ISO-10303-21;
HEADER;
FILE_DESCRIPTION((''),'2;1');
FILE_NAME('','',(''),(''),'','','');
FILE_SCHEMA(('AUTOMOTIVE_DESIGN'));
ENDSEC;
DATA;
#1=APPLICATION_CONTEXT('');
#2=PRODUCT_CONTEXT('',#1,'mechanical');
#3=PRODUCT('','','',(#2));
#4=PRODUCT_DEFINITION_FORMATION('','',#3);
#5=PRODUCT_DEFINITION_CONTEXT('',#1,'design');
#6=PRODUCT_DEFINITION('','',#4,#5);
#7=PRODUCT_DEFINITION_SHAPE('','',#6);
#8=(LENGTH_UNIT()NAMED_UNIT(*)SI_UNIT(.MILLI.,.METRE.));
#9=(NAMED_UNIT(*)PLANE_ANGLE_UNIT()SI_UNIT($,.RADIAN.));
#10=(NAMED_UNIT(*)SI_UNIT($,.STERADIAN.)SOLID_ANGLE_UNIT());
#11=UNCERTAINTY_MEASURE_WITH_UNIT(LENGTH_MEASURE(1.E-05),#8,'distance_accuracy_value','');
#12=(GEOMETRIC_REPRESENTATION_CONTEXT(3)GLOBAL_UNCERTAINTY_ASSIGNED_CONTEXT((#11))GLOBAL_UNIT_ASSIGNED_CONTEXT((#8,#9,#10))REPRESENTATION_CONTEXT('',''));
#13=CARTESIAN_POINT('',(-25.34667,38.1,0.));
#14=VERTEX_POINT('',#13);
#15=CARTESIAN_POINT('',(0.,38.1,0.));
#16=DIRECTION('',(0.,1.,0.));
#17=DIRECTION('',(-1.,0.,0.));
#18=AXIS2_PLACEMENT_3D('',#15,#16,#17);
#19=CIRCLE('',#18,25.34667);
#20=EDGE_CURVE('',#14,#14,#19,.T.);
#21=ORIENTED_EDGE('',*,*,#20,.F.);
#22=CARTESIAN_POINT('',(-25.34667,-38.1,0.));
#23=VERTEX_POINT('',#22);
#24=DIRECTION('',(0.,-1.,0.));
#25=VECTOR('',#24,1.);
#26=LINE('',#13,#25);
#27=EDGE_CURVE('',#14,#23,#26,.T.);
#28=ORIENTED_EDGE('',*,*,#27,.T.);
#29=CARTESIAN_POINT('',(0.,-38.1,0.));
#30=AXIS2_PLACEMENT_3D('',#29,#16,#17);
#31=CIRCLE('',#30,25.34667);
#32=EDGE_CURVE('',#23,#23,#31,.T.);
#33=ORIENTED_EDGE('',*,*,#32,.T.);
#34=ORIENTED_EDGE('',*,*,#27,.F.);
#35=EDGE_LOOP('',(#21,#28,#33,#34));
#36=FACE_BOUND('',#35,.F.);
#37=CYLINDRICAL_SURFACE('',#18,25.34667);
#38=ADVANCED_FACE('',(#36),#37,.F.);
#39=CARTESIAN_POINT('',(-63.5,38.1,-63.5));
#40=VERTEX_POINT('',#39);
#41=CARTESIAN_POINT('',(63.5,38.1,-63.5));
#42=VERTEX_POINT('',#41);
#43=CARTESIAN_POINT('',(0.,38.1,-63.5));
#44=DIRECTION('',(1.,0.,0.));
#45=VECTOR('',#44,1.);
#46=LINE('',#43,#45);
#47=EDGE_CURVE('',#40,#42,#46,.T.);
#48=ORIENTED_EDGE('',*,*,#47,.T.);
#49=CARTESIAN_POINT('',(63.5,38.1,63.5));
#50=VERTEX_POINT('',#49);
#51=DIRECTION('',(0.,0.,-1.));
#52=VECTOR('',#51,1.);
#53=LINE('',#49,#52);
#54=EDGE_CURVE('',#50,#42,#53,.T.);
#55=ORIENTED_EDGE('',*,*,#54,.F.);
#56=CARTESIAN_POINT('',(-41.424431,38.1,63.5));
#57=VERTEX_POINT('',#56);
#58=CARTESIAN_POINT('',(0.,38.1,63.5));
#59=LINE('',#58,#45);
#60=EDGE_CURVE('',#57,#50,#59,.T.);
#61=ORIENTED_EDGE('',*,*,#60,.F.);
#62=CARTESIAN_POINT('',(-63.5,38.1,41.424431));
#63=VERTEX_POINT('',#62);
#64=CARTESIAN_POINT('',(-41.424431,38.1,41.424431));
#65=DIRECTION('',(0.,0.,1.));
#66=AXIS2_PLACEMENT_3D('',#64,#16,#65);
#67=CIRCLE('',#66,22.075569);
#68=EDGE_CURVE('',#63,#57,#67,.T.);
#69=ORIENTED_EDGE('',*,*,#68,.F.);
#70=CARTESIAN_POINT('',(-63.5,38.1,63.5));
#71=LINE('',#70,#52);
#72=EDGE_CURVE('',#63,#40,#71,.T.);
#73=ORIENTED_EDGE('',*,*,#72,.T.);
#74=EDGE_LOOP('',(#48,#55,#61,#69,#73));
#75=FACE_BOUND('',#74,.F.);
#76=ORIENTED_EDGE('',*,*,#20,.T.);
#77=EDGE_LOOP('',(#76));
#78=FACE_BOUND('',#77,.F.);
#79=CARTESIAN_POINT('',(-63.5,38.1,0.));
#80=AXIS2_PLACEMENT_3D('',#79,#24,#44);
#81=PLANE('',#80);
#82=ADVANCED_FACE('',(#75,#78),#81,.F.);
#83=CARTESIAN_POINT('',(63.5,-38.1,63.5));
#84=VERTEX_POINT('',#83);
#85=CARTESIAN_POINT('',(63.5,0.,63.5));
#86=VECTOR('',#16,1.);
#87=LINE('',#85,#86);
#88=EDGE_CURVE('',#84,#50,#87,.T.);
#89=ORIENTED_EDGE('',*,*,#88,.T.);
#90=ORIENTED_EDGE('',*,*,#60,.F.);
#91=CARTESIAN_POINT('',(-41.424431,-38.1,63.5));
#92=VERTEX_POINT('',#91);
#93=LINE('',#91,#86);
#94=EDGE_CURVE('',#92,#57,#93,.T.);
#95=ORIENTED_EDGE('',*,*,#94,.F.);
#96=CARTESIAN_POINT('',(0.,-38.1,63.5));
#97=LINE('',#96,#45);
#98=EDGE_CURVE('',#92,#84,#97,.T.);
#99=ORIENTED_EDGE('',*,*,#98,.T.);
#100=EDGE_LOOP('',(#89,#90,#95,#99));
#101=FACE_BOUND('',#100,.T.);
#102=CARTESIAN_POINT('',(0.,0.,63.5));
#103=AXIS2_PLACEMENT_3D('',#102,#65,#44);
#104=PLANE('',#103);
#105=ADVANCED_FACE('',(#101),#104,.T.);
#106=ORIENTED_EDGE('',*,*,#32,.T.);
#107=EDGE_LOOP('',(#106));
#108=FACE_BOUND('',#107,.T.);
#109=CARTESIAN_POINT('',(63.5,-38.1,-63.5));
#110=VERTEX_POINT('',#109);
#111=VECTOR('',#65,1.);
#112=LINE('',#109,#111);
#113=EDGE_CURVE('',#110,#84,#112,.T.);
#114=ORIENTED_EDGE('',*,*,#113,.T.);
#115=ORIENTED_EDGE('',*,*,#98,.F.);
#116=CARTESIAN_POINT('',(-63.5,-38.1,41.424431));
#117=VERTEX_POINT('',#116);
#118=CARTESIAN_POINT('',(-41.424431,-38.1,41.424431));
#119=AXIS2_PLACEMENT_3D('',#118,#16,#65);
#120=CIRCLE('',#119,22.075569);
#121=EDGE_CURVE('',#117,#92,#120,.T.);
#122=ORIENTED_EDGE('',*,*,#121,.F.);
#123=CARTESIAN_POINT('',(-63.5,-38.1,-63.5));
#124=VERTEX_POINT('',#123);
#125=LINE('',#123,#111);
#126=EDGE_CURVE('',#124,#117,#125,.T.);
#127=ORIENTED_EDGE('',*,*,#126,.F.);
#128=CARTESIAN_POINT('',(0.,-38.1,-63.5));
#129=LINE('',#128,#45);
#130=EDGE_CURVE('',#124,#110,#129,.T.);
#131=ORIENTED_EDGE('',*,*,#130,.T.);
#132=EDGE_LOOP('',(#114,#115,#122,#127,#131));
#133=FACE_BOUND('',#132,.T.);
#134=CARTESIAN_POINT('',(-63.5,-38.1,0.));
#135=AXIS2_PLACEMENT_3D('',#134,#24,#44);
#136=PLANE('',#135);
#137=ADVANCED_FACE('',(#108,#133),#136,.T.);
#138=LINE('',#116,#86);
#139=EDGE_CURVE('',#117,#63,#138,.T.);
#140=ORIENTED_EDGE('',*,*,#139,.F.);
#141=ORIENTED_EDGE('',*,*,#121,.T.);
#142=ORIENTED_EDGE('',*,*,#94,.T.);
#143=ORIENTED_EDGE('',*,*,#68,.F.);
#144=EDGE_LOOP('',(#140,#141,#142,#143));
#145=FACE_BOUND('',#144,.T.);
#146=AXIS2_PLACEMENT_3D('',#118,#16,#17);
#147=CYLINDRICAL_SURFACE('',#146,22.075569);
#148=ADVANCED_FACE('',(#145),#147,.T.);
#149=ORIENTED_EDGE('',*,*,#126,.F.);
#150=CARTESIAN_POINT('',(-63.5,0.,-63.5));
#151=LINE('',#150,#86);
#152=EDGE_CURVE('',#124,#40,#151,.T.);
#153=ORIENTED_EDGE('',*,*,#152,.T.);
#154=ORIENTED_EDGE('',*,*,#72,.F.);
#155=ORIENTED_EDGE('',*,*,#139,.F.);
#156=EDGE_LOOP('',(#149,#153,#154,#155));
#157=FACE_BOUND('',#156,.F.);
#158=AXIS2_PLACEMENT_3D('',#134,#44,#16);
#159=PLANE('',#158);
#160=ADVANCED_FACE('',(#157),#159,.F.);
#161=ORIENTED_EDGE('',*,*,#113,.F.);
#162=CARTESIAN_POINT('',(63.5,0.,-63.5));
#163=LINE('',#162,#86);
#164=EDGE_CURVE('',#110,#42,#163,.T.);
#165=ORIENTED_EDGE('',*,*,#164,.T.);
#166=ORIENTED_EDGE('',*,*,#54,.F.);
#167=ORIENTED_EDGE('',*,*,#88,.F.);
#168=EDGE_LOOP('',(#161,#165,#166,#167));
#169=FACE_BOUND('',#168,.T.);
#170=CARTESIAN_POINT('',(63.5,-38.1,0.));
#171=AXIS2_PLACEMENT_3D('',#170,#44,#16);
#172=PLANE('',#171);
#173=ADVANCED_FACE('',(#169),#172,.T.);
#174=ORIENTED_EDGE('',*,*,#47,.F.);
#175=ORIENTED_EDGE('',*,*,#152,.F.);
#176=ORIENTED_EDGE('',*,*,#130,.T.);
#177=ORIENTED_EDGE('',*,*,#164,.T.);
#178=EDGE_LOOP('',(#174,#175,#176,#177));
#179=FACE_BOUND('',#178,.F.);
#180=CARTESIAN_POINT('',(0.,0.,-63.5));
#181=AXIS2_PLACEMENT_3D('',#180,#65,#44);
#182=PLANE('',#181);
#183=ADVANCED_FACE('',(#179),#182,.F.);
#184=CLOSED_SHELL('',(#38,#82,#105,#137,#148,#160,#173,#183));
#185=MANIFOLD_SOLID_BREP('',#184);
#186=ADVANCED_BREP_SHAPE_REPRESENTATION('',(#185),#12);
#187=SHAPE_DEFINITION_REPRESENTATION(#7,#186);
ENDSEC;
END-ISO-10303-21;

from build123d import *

# Parameters (mm, degrees)
F0_W     = 127
F0_H     = 76.2
F1_DEPTH = 63.5
F2_R     = 22.075569
F3_R     = 25.34667
F4_DEPTH = 76.201


with BuildPart() as f1:
    # F0 (on Top) → F1 (new body, symmetric)
    with BuildSketch(Plane.XY):
        Rectangle(F0_W, F0_H)
    extrude(amount=F1_DEPTH, both=True)

    # F2
    f2_edges = [f1.edges().sort_by_distance(p)[0] for p in [
        (-63.5, 0, 63.5),
    ]]
    fillet(f2_edges, radius=F2_R)

    # F3 (on face) → F4 (cut, through all)
    with BuildSketch(Plane(origin=(0, 38.1, 0), x_dir=(-1, 0, 0), z_dir=(0, 1, 0))):
        Circle(F3_R)
    extrude(amount=-F4_DEPTH, mode=Mode.SUBTRACT)


solid = f1.part
